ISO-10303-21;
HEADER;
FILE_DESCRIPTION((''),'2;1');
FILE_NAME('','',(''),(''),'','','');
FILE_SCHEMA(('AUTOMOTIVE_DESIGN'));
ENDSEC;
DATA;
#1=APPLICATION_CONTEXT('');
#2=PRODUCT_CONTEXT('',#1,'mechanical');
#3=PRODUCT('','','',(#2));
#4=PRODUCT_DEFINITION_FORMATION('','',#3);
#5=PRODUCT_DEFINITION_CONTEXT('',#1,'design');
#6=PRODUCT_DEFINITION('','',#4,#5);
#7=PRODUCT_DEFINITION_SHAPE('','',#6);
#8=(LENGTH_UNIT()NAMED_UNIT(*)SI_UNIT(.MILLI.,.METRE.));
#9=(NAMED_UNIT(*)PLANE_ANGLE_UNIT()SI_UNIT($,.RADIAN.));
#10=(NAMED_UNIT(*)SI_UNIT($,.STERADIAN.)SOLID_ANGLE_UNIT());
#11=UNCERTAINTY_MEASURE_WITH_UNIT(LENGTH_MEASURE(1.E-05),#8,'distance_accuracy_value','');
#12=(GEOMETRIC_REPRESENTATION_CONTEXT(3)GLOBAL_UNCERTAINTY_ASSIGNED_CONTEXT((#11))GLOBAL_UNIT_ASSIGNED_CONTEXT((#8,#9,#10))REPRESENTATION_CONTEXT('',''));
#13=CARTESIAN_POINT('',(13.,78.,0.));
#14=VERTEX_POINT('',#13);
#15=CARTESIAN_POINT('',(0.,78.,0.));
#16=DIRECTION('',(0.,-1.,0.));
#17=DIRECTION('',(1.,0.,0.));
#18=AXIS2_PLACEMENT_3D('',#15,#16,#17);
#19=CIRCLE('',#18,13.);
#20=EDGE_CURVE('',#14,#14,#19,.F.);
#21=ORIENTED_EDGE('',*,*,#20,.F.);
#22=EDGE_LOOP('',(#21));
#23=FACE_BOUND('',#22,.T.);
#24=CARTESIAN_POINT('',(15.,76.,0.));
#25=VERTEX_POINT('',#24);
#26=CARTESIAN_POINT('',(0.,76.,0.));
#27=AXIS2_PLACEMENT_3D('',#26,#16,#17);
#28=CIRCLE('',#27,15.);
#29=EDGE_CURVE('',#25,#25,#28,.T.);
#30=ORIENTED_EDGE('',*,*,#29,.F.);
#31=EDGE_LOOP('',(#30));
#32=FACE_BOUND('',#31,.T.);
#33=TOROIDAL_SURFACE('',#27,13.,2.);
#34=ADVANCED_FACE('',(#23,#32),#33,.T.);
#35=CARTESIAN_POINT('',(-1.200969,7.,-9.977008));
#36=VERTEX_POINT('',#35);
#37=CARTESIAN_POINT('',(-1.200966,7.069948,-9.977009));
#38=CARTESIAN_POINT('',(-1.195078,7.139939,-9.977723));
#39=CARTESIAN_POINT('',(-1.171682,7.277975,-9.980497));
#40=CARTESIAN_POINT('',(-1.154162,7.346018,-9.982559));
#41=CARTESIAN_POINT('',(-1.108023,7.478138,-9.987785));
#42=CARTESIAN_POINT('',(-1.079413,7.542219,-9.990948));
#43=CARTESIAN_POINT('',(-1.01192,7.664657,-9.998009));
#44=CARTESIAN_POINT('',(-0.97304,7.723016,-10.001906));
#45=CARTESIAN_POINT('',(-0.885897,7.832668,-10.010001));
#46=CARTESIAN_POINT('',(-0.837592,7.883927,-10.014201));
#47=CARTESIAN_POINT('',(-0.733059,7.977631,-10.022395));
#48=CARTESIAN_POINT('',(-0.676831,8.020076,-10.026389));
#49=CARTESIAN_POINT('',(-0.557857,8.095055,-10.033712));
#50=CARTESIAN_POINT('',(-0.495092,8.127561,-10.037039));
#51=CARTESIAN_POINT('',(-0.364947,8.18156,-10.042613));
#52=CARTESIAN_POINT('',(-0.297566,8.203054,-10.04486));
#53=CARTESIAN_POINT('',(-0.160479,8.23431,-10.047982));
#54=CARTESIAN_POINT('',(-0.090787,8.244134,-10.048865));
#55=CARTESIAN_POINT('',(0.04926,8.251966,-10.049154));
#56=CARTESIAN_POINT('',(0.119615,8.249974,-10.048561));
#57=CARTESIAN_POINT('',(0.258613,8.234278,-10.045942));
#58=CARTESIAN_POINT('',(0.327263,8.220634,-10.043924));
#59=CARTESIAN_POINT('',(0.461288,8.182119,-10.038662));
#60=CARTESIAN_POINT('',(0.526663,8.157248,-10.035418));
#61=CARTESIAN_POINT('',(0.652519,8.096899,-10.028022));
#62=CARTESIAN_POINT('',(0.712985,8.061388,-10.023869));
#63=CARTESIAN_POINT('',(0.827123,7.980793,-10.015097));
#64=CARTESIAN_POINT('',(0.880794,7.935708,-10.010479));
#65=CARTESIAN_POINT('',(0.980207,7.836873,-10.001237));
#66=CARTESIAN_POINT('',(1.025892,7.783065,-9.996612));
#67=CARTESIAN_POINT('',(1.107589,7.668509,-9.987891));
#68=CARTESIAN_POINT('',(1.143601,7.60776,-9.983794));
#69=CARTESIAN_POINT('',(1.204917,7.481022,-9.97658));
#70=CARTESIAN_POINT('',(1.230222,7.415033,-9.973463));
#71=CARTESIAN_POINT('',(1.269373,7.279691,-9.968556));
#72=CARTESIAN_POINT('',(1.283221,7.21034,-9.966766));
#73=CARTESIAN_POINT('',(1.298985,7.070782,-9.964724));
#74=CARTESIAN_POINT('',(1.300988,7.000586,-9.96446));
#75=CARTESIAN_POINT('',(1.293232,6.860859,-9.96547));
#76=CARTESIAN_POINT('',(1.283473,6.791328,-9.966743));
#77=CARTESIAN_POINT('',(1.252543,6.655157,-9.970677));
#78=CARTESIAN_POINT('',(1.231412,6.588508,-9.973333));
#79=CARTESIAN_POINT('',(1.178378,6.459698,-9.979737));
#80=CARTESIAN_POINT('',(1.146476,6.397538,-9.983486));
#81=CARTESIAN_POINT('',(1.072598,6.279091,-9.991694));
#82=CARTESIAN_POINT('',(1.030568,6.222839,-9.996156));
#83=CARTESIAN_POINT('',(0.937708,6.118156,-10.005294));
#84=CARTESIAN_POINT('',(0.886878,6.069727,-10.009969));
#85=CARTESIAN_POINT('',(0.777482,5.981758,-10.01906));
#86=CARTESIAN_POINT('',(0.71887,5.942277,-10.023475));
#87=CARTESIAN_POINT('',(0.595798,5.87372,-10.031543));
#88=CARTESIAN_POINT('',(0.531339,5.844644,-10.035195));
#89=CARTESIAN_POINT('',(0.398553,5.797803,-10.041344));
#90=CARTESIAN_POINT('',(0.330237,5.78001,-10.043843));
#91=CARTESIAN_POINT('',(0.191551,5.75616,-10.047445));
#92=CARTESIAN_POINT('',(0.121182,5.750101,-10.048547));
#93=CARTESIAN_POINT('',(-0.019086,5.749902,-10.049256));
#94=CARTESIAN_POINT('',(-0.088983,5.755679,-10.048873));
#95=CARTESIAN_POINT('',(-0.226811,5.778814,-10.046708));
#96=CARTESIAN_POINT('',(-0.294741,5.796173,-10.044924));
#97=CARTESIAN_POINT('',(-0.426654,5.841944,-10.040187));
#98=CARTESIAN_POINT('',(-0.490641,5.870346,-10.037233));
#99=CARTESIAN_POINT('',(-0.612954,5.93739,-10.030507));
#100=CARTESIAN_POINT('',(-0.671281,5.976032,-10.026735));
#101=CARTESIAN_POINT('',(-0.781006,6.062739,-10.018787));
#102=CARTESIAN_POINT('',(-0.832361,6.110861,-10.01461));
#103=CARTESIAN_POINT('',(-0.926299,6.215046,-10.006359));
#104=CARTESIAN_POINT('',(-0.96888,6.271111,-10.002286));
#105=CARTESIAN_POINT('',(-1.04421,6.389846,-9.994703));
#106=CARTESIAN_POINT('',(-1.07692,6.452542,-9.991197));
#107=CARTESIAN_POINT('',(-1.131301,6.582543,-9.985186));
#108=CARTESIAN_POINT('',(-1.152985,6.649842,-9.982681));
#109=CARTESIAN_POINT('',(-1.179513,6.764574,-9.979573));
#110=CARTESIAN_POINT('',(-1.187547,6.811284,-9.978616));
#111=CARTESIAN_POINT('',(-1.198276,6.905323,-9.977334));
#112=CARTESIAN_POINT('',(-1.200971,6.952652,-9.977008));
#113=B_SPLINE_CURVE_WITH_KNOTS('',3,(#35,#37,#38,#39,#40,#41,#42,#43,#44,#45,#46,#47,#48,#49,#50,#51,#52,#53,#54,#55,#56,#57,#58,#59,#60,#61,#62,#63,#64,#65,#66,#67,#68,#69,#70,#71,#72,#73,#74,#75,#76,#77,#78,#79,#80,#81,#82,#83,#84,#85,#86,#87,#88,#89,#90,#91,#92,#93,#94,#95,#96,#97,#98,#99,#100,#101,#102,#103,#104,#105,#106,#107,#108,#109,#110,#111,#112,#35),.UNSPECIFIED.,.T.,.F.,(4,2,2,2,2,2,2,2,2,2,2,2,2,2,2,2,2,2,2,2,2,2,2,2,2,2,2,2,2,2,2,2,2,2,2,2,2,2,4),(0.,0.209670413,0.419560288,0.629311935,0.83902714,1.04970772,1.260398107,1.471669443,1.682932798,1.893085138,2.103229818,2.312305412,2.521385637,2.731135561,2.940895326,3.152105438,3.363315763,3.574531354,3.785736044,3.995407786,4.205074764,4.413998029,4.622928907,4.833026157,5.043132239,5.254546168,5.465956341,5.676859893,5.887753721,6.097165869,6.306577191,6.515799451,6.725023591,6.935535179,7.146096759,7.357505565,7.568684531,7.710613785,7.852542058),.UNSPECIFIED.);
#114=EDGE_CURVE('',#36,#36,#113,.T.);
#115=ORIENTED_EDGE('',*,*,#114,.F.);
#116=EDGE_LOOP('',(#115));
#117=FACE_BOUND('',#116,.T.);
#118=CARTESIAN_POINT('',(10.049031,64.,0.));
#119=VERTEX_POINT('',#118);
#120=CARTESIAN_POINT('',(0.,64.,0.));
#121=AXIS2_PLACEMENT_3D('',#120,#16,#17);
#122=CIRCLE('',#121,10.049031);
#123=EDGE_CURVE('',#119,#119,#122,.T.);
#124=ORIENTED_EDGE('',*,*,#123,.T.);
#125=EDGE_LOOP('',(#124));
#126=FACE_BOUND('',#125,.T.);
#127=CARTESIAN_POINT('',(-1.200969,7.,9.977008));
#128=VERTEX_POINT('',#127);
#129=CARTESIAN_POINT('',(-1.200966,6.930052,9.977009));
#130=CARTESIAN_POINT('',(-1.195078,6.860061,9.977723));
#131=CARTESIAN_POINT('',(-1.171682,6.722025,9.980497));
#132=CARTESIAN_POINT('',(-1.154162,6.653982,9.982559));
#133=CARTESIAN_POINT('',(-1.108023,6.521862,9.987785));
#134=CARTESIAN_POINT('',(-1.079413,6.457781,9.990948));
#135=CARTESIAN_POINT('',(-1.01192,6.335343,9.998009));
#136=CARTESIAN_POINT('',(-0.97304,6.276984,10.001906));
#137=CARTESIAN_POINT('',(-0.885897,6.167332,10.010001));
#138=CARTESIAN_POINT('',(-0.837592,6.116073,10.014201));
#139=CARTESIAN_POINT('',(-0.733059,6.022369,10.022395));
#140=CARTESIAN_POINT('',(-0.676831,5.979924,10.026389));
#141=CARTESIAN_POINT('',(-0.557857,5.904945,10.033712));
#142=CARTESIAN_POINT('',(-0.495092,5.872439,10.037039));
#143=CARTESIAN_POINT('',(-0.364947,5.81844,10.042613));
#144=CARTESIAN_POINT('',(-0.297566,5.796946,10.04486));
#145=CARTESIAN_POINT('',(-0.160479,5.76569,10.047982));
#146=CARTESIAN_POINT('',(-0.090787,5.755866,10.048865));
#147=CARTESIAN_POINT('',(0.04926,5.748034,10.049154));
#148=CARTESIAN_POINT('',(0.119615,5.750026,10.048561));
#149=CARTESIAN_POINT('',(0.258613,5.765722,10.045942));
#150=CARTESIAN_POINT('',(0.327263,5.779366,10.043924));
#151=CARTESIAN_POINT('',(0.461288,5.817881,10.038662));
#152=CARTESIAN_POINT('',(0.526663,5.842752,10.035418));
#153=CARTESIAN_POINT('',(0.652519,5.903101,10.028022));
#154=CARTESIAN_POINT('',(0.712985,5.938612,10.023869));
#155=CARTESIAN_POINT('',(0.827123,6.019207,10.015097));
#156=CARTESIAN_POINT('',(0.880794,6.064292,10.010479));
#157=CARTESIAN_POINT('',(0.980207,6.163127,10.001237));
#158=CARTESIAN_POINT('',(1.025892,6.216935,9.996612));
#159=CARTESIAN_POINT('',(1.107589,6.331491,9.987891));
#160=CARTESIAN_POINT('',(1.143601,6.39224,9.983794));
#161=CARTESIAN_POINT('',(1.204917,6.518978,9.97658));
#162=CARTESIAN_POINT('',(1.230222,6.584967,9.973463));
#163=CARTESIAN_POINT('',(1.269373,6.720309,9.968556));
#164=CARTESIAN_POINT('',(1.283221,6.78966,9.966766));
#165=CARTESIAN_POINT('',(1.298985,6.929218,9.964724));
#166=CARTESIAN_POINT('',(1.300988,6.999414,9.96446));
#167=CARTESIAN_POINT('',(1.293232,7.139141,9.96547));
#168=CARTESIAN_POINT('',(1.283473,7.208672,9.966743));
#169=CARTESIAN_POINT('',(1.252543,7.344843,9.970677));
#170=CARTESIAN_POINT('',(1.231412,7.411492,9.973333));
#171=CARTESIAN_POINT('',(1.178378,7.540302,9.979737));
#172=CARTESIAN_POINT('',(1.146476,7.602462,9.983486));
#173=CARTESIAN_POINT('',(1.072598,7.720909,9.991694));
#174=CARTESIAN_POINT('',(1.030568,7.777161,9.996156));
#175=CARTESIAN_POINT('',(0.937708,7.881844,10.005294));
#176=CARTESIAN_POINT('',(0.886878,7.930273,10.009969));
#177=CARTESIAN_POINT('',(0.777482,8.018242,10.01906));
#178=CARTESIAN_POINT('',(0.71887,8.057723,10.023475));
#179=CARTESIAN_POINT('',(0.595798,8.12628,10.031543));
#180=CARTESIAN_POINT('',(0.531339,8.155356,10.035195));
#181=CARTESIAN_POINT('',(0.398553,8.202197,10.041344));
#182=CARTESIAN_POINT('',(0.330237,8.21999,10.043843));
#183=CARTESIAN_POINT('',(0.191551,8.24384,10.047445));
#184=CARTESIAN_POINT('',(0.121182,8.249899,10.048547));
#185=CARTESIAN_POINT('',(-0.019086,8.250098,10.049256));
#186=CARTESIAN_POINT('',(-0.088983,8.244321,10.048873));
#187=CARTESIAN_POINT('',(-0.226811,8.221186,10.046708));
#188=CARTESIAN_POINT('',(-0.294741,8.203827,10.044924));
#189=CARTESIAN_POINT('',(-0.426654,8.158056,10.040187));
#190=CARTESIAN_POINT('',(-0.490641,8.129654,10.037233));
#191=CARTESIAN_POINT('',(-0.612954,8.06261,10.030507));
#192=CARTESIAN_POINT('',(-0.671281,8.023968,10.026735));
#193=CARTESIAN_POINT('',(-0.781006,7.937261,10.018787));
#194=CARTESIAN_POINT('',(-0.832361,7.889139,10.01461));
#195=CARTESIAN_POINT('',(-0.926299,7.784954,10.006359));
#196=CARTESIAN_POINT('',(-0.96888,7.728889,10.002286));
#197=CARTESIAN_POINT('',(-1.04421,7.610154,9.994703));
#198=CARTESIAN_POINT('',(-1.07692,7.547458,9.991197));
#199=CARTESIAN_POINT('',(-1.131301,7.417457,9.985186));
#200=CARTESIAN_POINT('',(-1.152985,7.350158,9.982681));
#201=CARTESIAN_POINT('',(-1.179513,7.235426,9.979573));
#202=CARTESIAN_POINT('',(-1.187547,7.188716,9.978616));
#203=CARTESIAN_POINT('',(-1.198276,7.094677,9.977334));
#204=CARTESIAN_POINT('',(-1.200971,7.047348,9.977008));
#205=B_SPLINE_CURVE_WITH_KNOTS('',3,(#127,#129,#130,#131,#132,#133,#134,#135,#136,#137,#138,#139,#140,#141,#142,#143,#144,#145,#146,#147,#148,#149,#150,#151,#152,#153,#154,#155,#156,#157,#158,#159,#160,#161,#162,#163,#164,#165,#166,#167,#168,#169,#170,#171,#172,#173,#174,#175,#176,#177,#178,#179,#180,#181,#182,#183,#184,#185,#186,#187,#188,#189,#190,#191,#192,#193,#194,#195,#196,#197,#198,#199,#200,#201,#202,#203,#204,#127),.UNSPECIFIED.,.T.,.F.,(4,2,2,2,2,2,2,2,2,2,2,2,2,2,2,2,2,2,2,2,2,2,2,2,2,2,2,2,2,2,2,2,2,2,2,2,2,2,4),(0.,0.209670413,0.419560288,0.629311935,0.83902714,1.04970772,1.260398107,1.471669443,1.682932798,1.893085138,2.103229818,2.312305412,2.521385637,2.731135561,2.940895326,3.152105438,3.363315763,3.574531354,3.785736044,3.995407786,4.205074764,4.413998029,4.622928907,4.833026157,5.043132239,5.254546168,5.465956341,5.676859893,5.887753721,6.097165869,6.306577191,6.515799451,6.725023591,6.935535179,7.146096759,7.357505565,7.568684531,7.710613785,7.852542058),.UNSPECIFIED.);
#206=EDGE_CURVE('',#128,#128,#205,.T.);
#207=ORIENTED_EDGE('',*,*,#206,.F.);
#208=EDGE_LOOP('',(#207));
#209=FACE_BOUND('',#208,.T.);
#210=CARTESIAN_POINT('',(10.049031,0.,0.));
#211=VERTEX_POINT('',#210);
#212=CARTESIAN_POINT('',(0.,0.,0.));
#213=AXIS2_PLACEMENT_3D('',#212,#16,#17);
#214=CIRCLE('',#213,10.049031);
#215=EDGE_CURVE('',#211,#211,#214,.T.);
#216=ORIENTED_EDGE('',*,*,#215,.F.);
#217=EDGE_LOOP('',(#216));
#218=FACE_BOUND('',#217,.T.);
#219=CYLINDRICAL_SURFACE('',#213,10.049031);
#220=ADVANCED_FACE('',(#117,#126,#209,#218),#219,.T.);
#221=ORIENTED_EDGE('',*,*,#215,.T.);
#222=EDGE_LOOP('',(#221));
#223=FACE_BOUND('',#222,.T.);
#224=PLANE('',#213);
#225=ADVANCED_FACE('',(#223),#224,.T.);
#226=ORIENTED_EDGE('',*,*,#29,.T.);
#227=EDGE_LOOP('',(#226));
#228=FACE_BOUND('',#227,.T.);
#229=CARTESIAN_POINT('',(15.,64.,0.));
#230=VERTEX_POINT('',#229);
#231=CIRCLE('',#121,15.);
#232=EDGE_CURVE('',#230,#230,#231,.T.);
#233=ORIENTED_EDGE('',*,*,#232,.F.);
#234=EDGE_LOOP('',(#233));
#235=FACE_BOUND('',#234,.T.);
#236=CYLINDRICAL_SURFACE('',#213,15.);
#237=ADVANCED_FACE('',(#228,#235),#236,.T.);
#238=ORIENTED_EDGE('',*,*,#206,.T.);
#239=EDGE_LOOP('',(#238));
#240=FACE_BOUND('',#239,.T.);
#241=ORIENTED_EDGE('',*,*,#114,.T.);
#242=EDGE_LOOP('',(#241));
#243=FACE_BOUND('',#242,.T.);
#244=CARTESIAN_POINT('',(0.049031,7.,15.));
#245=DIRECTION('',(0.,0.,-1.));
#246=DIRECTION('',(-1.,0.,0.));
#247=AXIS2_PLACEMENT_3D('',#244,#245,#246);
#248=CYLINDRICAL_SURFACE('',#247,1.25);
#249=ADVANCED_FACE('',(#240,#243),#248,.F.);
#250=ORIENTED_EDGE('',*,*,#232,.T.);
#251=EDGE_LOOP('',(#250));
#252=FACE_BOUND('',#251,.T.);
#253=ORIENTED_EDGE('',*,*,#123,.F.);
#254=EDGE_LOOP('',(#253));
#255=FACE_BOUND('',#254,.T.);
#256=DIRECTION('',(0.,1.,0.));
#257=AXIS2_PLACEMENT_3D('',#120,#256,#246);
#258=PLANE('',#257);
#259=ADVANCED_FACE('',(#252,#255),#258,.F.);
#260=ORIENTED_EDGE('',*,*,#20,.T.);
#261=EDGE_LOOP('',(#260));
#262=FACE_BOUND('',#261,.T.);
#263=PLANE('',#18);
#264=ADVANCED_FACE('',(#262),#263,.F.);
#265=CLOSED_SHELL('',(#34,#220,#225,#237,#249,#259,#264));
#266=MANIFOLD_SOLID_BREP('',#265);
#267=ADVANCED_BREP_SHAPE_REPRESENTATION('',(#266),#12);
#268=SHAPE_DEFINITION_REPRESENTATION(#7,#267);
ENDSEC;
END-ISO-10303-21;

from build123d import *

# Parameters (mm, degrees)
SKETCH1_W               = 15
SKETCH1_H               = 4
FILLET3_R               = 2
CUT_EXTRUDE1_DEPTH      = 81.833161512
CUT_EXTRUDE1_DEPTH_BACK = 81.833161512
SKETCH2_R               = 1.25


with BuildPart() as part:
    # Sketch1 → Revolve2 (revolve)
    with BuildSketch(Plane.XY):
        with Locations((7.5, 76)):
            Rectangle(SKETCH1_W, SKETCH1_H)
        Polygon((0, 74), (0, 0), (10.049031003, 0), (10.049031003, 64), (15, 64), (15, 74), align=None)
    revolve(axis=Axis((0, 0, 0), (0, 1, 0)))

    # Fillet3
    fillet3_edges = [part.edges().sort_by_distance(p)[0] for p in [
        (-15, 78, 0),
    ]]
    fillet(fillet3_edges, radius=FILLET3_R)

    # Sketch2 → Cut-Extrude1 (cut, two sides: drawn at the far end of the back side and taken through both)
    with BuildSketch(Plane.XY.offset(-CUT_EXTRUDE1_DEPTH_BACK)):
        with Locations(Location((0.049031003, 7, 0), (0, 0, 180))):
            Circle(SKETCH2_R)
    extrude(amount=CUT_EXTRUDE1_DEPTH + CUT_EXTRUDE1_DEPTH_BACK, mode=Mode.SUBTRACT)


solid = part.part
